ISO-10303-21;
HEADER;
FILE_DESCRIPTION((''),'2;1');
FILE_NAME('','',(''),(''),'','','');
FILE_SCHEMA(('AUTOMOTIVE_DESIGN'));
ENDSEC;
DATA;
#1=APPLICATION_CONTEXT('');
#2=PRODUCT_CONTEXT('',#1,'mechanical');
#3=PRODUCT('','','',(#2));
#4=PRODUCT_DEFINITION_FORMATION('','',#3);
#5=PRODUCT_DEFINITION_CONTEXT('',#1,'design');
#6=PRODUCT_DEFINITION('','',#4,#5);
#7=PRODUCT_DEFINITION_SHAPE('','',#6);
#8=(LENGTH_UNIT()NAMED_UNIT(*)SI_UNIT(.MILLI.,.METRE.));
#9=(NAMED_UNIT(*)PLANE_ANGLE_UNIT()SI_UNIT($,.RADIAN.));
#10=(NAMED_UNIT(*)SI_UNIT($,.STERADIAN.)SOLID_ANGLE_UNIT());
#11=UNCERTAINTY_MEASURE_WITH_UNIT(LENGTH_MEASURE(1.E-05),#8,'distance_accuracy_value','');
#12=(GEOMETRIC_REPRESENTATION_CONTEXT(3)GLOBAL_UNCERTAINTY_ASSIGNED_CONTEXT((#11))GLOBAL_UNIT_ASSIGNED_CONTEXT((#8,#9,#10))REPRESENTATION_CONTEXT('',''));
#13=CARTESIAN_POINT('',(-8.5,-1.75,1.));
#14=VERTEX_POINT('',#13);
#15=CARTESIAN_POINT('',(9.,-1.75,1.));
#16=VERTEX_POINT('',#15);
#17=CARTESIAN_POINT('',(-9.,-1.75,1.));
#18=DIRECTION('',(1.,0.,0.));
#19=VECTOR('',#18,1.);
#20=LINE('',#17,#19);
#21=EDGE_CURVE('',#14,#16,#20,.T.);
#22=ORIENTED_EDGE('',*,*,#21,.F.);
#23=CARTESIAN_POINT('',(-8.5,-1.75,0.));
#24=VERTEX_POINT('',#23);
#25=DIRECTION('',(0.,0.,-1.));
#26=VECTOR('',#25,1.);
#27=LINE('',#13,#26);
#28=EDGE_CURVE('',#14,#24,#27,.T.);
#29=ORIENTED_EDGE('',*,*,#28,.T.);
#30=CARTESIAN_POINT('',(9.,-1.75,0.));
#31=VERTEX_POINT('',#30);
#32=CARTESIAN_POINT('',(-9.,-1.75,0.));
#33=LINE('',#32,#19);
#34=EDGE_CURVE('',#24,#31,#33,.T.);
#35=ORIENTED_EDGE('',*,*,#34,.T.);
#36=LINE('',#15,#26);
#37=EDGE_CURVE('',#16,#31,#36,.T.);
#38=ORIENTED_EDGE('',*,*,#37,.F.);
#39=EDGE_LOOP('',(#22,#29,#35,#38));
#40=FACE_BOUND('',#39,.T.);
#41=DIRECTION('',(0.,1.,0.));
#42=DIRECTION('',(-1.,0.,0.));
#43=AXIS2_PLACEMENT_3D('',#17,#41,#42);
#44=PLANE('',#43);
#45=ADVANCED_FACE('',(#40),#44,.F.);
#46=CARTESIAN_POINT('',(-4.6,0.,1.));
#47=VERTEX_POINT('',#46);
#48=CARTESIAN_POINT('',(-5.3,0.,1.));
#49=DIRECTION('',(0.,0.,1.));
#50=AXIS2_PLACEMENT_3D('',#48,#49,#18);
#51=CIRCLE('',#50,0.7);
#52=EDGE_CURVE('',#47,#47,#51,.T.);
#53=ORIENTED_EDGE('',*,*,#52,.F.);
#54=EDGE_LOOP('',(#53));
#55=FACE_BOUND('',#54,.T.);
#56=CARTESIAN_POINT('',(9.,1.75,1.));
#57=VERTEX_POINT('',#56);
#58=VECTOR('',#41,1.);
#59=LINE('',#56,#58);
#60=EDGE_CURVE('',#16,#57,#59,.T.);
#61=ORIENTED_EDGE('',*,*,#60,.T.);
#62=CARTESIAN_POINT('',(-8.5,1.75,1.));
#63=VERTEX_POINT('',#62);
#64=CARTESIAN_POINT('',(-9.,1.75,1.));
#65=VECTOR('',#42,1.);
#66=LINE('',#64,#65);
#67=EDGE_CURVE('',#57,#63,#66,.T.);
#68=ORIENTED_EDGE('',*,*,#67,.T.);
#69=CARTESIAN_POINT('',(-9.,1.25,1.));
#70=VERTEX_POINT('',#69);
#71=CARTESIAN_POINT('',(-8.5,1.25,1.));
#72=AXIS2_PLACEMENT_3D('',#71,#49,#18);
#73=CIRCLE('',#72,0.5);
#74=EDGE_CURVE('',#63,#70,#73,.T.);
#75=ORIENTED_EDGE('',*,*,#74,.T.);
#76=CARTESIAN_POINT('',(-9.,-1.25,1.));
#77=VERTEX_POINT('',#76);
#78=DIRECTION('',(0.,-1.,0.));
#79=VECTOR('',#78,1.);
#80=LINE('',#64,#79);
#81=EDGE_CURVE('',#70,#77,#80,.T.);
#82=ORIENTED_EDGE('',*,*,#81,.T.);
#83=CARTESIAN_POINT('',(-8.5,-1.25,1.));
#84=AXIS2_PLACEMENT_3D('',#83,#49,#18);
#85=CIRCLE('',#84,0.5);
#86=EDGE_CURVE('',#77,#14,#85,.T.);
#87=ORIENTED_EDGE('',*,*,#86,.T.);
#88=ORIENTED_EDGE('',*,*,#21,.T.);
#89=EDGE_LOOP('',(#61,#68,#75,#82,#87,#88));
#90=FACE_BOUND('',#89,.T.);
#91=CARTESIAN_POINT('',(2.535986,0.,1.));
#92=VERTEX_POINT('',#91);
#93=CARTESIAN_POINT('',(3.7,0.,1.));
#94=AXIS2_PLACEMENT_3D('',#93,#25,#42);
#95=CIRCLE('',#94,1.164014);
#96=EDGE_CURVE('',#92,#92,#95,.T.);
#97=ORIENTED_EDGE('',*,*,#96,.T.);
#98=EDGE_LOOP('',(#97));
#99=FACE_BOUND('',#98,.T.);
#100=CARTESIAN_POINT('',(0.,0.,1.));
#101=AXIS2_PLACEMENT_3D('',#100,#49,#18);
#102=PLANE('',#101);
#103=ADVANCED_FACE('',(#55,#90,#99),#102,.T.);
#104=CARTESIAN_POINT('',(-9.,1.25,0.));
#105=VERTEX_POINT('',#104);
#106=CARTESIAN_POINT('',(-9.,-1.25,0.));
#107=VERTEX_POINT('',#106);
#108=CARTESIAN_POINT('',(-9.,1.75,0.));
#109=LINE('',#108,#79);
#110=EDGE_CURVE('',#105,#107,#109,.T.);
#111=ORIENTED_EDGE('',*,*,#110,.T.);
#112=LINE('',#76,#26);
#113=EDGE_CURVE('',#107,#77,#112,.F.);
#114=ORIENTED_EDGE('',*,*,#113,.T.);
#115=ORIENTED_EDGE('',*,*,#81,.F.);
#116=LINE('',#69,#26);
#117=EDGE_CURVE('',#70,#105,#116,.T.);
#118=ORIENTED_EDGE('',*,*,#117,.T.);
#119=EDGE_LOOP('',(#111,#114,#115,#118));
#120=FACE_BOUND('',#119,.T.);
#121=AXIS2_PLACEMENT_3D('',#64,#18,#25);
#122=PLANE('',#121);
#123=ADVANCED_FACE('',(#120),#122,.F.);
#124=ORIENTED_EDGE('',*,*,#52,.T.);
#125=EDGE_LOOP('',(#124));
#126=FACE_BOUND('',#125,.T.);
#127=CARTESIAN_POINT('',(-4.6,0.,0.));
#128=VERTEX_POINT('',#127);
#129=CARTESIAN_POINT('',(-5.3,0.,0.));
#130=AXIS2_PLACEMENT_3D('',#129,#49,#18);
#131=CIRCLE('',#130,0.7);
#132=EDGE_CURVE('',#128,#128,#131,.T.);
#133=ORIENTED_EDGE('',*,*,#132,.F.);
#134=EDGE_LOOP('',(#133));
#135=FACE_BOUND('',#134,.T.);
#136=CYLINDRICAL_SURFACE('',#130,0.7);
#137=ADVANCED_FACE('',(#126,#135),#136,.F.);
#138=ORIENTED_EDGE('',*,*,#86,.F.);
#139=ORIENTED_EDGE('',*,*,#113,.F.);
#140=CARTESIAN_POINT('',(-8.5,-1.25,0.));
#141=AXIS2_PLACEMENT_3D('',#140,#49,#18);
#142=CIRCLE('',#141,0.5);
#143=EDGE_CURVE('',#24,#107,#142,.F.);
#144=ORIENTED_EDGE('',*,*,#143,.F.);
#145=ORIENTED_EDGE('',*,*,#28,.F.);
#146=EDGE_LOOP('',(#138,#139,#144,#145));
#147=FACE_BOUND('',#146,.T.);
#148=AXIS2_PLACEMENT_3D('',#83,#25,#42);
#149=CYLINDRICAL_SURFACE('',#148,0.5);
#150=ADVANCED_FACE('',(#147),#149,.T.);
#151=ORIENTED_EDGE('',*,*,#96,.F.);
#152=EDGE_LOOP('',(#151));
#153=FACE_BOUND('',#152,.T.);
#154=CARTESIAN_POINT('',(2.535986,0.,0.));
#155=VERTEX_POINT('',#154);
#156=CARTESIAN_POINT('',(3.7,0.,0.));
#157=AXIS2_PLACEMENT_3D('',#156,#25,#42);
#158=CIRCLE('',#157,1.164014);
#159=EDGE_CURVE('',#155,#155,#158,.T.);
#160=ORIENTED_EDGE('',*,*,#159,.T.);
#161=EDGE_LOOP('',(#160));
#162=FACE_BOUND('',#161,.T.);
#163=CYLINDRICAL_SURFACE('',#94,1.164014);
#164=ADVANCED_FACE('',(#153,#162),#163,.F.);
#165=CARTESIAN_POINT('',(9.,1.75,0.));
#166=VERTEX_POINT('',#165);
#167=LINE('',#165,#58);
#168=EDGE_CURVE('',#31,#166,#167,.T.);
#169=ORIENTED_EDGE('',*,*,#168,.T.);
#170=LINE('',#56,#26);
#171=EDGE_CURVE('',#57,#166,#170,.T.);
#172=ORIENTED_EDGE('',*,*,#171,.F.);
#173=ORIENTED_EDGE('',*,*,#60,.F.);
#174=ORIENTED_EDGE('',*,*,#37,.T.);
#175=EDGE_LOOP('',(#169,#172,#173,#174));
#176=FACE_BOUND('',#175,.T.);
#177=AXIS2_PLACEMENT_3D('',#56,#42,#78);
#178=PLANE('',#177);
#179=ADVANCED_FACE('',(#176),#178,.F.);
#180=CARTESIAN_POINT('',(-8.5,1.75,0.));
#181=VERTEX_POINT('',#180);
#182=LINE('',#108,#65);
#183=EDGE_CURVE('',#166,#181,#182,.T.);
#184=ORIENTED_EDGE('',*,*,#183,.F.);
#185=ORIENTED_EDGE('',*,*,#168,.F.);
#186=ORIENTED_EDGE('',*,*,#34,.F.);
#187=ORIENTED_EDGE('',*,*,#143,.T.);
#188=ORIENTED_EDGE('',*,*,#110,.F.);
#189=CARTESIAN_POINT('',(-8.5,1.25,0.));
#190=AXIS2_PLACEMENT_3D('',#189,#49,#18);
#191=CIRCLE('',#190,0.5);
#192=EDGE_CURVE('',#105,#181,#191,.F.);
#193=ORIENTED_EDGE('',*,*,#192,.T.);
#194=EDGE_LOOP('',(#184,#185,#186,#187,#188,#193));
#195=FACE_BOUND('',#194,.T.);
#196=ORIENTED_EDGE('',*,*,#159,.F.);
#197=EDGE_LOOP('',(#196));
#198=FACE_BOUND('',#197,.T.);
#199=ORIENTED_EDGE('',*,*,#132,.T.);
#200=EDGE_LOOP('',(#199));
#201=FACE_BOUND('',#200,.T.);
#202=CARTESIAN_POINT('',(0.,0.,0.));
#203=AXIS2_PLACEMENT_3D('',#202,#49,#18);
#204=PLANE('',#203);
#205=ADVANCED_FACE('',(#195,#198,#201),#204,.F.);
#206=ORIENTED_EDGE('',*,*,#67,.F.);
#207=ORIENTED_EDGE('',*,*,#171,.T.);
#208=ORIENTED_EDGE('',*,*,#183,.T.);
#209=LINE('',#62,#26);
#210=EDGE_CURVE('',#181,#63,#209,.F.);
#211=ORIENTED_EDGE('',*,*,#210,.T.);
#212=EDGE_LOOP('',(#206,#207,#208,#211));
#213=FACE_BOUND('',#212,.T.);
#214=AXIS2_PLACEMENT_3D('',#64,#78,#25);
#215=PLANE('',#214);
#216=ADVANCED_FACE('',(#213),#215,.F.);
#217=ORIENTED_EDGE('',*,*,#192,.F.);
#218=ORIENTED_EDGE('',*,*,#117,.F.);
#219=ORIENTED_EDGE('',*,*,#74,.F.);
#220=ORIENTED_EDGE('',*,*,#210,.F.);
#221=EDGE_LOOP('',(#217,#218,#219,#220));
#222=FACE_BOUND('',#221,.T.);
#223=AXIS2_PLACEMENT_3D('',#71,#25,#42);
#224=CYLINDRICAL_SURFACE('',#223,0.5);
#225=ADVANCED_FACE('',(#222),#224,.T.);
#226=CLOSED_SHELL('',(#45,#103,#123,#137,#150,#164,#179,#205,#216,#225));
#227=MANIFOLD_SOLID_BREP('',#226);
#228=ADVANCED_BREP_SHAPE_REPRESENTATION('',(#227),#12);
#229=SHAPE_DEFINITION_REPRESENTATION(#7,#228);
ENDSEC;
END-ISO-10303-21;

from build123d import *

# Parameters (mm, degrees)
SKETCH2_W           = 18
SKETCH2_H           = 3.5
BOSS_EXTRUDE1_DEPTH = 1
SKETCH3_R           = 0.7
CUT_EXTRUDE1_DEPTH  = 2
FILLET1_R           = 0.5
SKETCH4_OUTSIDE_W   = 23.672
SKETCH4_OUTSIDE_H   = 9.172
SKETCH4_OUTSIDE_R   = 1.164013777
CUT_EXTRUDE3_DEPTH  = 2


with BuildPart() as part:
    # Sketch2 → Boss-Extrude1 (new body)
    with BuildSketch(Plane.XY):
        Rectangle(SKETCH2_W, SKETCH2_H)
    extrude(amount=BOSS_EXTRUDE1_DEPTH)

    # Sketch3 → Cut-Extrude1 (cut, through all)
    with BuildSketch(Plane.XY.offset(1)):
        with Locations((-5.3, 0)):
            Circle(SKETCH3_R)
    extrude(amount=-CUT_EXTRUDE1_DEPTH, mode=Mode.SUBTRACT)

    # Fillet1
    fillet1_edges = [part.edges().sort_by_distance(p)[0] for p in [
        (-9, -1.75, 0.5),
        (-9, 1.75, 0.5),
    ]]
    fillet(fillet1_edges, radius=FILLET1_R)

    # Sketch4 outside → Cut-Extrude3 (cut, through all)
    with BuildSketch(Plane(origin=(0, 0, 0), x_dir=(-1, 0, 0), z_dir=(0, 0, -1))):
        Rectangle(SKETCH4_OUTSIDE_W, SKETCH4_OUTSIDE_H)
        with BuildLine():
            Line((-9, -1.75), (8.5, -1.75))
            ThreePointArc((8.5, -1.75), (8.853553391, -1.603553391), (9, -1.25))
            Line((9, -1.25), (9, 1.25))
            ThreePointArc((9, 1.25), (8.853553391, 1.603553391), (8.5, 1.75))
            Line((8.5, 1.75), (-9, 1.75))
            Line((-9, 1.75), (-9, -1.75))
        make_face(mode=Mode.SUBTRACT)
        with Locations((-3.7, 0)):
            Circle(SKETCH4_OUTSIDE_R)
    extrude(amount=-CUT_EXTRUDE3_DEPTH, mode=Mode.SUBTRACT)


solid = part.part
